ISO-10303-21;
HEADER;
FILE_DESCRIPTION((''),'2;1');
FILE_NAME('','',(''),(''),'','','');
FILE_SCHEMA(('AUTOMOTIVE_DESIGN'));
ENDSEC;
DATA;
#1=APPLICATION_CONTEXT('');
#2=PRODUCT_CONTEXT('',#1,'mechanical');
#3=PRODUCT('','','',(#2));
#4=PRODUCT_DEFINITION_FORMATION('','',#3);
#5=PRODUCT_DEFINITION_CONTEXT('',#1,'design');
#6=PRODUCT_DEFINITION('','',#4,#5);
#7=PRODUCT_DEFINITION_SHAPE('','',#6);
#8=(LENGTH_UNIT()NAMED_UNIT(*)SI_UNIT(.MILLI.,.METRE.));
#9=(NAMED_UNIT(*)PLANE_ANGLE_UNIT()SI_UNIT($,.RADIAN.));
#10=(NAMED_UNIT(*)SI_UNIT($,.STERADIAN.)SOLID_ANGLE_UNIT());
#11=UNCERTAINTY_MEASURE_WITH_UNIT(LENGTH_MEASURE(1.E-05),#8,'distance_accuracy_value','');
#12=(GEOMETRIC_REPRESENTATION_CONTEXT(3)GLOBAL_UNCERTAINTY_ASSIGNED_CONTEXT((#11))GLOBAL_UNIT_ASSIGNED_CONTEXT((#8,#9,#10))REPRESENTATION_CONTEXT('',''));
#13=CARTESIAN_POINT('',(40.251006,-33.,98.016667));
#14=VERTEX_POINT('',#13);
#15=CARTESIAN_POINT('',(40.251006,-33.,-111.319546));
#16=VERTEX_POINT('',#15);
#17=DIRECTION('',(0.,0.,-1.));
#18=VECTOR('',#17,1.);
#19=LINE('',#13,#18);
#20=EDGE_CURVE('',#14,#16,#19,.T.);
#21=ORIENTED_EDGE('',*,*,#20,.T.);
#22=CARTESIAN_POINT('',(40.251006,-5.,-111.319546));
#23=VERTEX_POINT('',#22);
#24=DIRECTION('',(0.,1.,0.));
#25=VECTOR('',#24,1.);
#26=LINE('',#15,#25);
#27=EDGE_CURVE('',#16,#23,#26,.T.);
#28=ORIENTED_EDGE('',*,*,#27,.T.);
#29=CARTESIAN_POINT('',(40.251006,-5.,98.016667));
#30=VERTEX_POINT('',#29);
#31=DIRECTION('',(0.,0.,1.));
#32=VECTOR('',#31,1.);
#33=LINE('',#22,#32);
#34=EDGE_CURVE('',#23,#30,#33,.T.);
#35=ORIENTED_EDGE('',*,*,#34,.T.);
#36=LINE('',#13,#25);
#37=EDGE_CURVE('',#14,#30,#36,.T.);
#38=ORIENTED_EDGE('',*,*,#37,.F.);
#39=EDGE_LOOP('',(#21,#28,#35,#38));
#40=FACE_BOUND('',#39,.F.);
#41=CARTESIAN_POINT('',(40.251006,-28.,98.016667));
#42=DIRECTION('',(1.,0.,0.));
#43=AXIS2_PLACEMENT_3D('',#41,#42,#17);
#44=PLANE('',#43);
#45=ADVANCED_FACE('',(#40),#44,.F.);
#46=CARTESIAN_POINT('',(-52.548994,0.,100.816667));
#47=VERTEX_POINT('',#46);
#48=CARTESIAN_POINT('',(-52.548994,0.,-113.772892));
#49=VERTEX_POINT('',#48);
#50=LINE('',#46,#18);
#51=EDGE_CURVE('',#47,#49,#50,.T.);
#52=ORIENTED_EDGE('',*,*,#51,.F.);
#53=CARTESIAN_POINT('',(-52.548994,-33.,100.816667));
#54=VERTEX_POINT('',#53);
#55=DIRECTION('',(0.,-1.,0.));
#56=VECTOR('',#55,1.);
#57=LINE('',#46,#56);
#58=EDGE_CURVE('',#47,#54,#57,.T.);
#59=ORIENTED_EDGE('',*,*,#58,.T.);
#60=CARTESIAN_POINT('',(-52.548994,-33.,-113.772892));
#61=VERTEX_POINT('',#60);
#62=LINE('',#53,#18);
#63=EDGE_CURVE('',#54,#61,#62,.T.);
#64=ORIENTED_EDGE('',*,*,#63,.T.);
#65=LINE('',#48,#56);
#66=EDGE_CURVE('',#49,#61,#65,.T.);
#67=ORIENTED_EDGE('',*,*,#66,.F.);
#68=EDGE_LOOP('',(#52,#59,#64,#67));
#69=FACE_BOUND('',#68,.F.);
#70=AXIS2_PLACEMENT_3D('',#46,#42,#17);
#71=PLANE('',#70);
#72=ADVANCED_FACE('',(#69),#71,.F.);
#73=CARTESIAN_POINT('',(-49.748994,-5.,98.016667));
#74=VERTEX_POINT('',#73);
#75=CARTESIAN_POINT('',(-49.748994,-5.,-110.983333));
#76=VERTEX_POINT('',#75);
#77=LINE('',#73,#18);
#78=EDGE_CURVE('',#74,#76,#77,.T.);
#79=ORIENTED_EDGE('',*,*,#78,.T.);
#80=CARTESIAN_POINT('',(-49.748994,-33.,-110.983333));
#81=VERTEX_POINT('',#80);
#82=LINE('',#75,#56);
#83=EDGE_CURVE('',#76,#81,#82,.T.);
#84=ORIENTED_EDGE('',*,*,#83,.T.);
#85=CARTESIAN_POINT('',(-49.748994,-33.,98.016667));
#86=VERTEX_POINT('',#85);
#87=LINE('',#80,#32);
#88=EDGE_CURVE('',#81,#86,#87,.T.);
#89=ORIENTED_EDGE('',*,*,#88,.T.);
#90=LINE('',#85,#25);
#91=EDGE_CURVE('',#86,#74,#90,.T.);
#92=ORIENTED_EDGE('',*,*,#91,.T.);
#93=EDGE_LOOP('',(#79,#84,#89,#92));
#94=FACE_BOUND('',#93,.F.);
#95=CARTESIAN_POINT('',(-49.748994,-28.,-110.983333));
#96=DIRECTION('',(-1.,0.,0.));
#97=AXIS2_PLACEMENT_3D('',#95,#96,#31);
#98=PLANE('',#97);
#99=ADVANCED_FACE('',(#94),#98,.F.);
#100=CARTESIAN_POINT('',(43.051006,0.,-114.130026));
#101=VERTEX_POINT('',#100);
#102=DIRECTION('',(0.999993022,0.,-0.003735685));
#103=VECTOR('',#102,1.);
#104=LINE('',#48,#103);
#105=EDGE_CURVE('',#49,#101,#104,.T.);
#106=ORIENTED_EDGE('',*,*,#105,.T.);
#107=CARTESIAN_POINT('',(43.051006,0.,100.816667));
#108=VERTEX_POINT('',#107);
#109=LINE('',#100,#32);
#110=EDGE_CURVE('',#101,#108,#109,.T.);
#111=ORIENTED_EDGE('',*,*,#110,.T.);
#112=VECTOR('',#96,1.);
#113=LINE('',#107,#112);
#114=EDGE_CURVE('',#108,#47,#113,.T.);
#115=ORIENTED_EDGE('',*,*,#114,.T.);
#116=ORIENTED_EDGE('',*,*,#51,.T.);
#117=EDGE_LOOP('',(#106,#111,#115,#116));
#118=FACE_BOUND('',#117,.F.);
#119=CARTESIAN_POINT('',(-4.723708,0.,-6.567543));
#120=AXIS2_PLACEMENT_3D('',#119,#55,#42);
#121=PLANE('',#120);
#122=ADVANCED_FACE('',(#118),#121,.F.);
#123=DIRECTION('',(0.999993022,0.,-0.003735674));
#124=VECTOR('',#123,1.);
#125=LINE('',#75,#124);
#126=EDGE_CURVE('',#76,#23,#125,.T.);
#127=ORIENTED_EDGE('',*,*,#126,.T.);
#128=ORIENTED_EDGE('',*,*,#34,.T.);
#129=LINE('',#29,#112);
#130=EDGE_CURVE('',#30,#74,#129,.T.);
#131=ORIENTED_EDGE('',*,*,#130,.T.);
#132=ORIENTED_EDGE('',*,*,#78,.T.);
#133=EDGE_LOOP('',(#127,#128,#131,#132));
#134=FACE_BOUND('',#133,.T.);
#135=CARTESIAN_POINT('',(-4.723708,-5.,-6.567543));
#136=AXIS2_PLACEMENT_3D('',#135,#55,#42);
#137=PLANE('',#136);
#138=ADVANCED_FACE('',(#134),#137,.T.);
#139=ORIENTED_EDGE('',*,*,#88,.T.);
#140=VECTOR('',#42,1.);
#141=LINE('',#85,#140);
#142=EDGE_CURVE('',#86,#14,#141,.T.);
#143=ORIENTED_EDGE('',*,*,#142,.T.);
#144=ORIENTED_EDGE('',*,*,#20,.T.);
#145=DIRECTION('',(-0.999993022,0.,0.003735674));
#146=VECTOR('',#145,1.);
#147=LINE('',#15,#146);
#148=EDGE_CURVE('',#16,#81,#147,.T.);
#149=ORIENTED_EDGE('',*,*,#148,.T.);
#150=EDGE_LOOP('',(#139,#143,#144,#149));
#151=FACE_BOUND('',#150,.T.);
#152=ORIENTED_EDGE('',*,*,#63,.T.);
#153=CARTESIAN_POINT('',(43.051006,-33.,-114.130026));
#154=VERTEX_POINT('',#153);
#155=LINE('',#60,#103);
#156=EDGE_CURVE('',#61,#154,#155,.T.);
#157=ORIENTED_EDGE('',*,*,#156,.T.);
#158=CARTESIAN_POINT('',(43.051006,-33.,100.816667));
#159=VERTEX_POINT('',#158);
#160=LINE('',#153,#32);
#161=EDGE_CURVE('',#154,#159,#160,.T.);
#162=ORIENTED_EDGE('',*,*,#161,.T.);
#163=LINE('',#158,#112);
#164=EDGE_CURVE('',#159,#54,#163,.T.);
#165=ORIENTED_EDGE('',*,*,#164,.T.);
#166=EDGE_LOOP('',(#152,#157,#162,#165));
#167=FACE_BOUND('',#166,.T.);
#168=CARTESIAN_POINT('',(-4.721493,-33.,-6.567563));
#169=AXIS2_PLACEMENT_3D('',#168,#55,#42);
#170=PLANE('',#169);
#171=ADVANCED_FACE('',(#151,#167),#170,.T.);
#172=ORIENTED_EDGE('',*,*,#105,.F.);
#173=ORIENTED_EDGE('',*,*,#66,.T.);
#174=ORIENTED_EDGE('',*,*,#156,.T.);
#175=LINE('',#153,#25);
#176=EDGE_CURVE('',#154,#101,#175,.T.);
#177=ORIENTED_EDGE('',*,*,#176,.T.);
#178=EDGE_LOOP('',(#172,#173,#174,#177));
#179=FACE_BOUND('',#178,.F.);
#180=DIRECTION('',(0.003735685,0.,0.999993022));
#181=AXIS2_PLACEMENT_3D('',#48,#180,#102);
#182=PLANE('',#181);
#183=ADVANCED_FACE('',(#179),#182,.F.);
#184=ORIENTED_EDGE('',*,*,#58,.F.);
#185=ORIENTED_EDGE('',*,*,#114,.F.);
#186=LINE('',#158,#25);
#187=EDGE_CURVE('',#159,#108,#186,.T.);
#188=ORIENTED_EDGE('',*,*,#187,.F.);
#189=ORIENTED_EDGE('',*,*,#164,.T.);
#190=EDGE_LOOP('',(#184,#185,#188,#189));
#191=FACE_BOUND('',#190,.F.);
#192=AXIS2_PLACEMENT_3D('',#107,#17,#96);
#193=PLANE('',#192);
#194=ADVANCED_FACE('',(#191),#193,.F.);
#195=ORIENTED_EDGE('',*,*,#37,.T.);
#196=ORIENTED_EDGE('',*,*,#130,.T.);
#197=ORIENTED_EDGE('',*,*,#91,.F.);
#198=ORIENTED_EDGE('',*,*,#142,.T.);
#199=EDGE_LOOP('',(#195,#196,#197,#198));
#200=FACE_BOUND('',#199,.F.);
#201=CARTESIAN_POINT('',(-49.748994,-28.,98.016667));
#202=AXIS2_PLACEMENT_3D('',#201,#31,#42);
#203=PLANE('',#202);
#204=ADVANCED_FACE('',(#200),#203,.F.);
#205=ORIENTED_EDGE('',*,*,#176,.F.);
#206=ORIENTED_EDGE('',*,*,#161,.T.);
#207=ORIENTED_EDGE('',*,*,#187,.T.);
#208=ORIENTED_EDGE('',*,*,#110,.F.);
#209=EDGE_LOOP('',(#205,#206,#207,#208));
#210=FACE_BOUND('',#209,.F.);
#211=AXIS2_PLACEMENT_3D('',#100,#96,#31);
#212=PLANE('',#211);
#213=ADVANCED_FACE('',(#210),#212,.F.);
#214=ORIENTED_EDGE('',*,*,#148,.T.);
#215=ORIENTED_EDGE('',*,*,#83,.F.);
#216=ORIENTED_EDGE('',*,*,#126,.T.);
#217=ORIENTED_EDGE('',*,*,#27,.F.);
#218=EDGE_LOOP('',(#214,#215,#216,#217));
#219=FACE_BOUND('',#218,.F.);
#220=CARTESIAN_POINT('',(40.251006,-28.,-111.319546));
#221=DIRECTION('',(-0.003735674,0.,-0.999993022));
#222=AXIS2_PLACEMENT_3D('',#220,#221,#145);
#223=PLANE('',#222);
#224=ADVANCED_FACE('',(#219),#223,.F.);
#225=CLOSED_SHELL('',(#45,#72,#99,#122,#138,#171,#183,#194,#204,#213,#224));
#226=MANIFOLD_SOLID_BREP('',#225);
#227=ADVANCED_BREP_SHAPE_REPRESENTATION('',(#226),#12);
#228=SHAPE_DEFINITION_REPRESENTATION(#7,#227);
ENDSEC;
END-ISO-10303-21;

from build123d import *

# Parameters (mm, degrees)
F1_DEPTH = 28
F2_DEPTH = 5


with BuildPart() as f1:
    # F0 (on Front) → F1 (new body)
    with BuildSketch(Plane.XZ):
        Polygon((43.051006, 100.816667), (-52.548994, 100.816667), (-52.548994, -113.772892), (43.051006, -114.130026), align=None)
        Polygon((-49.748994, -110.983333), (-49.748994, 98.016667), (40.251006, 98.016667), (40.251006, -111.319546), align=None, mode=Mode.SUBTRACT)
    extrude(amount=F1_DEPTH)

    # F0 (on Front) + F1_face (on face) → F2 (join)
    with BuildSketch(Plane.XZ):
        Polygon((40.251006, 98.016667), (-49.748994, 98.016667), (-49.748994, -110.983333), (40.251006, -111.319546), align=None)
    with BuildSketch(Plane(origin=(-4.722596, -28, -6.567553), x_dir=(1, 0, 0), z_dir=(0, -1, 0))):
        Polygon((47.773602, -107.562473), (47.773602, 107.38422), (-47.826398, 107.38422), (-47.826398, -107.205339), align=None)
        Polygon((-45.026398, -104.41578), (-45.026398, 104.58422), (44.973602, 104.58422), (44.973602, -104.751993), align=None, mode=Mode.SUBTRACT)
    extrude(amount=F2_DEPTH)


solid = f1.part
